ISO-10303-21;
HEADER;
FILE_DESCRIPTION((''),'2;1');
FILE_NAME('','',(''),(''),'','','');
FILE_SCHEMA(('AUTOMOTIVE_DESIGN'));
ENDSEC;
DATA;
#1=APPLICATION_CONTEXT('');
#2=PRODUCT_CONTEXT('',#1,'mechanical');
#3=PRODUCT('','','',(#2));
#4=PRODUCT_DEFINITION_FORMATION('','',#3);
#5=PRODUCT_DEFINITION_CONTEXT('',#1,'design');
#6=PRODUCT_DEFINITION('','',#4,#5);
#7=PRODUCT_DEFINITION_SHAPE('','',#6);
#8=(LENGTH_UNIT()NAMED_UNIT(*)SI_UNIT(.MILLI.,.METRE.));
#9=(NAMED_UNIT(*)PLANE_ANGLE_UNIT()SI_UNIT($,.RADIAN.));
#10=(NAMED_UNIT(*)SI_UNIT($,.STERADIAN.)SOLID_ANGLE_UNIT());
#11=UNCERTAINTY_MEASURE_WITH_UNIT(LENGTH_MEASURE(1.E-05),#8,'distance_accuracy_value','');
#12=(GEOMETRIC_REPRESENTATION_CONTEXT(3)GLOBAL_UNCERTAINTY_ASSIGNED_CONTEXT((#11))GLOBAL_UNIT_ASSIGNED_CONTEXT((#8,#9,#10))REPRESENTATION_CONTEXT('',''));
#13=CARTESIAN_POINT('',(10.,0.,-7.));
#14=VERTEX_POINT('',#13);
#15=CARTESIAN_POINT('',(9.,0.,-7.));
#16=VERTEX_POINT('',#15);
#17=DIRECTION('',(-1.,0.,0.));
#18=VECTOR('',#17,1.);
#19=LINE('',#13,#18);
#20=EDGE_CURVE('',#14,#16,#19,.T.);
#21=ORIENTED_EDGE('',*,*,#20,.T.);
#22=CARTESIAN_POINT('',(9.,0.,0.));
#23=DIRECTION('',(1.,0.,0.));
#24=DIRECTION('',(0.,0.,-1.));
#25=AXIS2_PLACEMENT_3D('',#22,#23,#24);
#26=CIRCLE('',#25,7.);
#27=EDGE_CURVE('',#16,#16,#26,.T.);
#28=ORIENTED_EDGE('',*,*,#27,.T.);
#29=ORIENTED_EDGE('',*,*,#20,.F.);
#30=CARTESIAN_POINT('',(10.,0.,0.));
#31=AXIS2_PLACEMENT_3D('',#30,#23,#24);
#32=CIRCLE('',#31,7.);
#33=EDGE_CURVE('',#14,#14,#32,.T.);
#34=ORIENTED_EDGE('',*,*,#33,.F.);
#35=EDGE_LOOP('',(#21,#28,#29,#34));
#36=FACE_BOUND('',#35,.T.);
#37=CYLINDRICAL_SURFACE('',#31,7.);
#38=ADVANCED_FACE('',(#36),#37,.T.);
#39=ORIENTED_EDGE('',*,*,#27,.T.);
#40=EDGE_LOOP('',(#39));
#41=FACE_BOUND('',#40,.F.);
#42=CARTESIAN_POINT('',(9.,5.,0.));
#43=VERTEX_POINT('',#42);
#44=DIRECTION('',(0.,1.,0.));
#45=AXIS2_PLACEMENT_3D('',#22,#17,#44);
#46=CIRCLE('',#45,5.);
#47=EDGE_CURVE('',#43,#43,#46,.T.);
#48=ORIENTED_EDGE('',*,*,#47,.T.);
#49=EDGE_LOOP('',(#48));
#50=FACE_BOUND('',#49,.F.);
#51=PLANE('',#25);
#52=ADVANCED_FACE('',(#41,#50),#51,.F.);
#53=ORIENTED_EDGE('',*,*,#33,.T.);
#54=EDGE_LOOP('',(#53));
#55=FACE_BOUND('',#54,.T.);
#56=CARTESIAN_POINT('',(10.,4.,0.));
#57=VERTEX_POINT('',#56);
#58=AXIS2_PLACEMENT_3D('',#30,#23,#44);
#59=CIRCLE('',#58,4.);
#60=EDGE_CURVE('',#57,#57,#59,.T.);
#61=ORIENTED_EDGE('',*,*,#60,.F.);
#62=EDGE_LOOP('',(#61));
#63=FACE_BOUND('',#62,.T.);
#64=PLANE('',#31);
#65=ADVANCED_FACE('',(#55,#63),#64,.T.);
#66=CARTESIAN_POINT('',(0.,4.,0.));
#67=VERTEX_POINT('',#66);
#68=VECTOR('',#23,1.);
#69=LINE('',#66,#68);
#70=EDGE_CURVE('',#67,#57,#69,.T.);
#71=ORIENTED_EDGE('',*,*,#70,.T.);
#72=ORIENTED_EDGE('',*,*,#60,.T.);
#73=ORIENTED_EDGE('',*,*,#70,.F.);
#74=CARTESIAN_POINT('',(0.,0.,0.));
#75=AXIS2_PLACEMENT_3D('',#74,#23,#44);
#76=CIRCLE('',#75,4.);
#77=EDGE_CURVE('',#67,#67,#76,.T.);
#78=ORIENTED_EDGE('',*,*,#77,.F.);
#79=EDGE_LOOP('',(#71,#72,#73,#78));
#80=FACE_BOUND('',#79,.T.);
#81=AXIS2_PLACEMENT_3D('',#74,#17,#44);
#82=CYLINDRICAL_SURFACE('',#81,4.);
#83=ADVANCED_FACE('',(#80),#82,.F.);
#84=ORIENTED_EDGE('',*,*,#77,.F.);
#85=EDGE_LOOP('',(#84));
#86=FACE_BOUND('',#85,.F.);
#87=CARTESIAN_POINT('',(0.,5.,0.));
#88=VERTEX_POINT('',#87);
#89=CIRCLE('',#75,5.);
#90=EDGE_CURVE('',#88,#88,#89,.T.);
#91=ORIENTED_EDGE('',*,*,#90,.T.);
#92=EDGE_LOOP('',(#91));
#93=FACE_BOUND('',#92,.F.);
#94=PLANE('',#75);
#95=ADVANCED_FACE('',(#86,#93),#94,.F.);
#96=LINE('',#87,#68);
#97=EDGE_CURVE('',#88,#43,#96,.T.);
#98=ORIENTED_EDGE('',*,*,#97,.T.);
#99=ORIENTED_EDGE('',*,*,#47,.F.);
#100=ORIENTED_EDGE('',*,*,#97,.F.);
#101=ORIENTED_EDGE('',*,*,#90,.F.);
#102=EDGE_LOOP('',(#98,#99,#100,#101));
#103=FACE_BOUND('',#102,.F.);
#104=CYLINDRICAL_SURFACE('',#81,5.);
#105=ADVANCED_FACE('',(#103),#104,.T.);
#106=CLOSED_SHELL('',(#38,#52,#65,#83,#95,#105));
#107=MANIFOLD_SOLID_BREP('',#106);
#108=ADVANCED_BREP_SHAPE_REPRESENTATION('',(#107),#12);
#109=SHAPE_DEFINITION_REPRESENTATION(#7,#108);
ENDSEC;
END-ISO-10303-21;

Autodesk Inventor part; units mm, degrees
ref_plane "YZ Plane" through (0, 0, 0) normal (1, 0, 0) x (0, 1, 0)
ref_plane "XZ Plane" through (0, 0, 0) normal (0, 1, 0) x (-1, 0, 0)
ref_plane "XY Plane" through (0, 0, 0) normal (0, 0, 1) x (1, 0, 0)
sketch "スケッチ1" plane through (0, 0, 0) normal (1, 0, 0) x (0, 1, 0)
  circle A0 centre (0, 0) radius 5
  circle A1 centre (0, 0) radius 4
  dimension "d0" = 10
  dimension "d1" = 8
extrude "押し出し1" add sketch "スケッチ1" along normal blind 10
sketch "スケッチ2" plane through (10, 0, 0) normal (1, 0, 0) x (0, 0, -1)
  circle A0 centre (0, 0) radius 4 projected
  circle A1 centre (0, 0) radius 7
  dimension "d4" = 14
extrude "押し出し2" add sketch "スケッチ2" against normal blind 1
properties part number "p8-10_OilessFlange" material "アセタール樹脂、黒"
